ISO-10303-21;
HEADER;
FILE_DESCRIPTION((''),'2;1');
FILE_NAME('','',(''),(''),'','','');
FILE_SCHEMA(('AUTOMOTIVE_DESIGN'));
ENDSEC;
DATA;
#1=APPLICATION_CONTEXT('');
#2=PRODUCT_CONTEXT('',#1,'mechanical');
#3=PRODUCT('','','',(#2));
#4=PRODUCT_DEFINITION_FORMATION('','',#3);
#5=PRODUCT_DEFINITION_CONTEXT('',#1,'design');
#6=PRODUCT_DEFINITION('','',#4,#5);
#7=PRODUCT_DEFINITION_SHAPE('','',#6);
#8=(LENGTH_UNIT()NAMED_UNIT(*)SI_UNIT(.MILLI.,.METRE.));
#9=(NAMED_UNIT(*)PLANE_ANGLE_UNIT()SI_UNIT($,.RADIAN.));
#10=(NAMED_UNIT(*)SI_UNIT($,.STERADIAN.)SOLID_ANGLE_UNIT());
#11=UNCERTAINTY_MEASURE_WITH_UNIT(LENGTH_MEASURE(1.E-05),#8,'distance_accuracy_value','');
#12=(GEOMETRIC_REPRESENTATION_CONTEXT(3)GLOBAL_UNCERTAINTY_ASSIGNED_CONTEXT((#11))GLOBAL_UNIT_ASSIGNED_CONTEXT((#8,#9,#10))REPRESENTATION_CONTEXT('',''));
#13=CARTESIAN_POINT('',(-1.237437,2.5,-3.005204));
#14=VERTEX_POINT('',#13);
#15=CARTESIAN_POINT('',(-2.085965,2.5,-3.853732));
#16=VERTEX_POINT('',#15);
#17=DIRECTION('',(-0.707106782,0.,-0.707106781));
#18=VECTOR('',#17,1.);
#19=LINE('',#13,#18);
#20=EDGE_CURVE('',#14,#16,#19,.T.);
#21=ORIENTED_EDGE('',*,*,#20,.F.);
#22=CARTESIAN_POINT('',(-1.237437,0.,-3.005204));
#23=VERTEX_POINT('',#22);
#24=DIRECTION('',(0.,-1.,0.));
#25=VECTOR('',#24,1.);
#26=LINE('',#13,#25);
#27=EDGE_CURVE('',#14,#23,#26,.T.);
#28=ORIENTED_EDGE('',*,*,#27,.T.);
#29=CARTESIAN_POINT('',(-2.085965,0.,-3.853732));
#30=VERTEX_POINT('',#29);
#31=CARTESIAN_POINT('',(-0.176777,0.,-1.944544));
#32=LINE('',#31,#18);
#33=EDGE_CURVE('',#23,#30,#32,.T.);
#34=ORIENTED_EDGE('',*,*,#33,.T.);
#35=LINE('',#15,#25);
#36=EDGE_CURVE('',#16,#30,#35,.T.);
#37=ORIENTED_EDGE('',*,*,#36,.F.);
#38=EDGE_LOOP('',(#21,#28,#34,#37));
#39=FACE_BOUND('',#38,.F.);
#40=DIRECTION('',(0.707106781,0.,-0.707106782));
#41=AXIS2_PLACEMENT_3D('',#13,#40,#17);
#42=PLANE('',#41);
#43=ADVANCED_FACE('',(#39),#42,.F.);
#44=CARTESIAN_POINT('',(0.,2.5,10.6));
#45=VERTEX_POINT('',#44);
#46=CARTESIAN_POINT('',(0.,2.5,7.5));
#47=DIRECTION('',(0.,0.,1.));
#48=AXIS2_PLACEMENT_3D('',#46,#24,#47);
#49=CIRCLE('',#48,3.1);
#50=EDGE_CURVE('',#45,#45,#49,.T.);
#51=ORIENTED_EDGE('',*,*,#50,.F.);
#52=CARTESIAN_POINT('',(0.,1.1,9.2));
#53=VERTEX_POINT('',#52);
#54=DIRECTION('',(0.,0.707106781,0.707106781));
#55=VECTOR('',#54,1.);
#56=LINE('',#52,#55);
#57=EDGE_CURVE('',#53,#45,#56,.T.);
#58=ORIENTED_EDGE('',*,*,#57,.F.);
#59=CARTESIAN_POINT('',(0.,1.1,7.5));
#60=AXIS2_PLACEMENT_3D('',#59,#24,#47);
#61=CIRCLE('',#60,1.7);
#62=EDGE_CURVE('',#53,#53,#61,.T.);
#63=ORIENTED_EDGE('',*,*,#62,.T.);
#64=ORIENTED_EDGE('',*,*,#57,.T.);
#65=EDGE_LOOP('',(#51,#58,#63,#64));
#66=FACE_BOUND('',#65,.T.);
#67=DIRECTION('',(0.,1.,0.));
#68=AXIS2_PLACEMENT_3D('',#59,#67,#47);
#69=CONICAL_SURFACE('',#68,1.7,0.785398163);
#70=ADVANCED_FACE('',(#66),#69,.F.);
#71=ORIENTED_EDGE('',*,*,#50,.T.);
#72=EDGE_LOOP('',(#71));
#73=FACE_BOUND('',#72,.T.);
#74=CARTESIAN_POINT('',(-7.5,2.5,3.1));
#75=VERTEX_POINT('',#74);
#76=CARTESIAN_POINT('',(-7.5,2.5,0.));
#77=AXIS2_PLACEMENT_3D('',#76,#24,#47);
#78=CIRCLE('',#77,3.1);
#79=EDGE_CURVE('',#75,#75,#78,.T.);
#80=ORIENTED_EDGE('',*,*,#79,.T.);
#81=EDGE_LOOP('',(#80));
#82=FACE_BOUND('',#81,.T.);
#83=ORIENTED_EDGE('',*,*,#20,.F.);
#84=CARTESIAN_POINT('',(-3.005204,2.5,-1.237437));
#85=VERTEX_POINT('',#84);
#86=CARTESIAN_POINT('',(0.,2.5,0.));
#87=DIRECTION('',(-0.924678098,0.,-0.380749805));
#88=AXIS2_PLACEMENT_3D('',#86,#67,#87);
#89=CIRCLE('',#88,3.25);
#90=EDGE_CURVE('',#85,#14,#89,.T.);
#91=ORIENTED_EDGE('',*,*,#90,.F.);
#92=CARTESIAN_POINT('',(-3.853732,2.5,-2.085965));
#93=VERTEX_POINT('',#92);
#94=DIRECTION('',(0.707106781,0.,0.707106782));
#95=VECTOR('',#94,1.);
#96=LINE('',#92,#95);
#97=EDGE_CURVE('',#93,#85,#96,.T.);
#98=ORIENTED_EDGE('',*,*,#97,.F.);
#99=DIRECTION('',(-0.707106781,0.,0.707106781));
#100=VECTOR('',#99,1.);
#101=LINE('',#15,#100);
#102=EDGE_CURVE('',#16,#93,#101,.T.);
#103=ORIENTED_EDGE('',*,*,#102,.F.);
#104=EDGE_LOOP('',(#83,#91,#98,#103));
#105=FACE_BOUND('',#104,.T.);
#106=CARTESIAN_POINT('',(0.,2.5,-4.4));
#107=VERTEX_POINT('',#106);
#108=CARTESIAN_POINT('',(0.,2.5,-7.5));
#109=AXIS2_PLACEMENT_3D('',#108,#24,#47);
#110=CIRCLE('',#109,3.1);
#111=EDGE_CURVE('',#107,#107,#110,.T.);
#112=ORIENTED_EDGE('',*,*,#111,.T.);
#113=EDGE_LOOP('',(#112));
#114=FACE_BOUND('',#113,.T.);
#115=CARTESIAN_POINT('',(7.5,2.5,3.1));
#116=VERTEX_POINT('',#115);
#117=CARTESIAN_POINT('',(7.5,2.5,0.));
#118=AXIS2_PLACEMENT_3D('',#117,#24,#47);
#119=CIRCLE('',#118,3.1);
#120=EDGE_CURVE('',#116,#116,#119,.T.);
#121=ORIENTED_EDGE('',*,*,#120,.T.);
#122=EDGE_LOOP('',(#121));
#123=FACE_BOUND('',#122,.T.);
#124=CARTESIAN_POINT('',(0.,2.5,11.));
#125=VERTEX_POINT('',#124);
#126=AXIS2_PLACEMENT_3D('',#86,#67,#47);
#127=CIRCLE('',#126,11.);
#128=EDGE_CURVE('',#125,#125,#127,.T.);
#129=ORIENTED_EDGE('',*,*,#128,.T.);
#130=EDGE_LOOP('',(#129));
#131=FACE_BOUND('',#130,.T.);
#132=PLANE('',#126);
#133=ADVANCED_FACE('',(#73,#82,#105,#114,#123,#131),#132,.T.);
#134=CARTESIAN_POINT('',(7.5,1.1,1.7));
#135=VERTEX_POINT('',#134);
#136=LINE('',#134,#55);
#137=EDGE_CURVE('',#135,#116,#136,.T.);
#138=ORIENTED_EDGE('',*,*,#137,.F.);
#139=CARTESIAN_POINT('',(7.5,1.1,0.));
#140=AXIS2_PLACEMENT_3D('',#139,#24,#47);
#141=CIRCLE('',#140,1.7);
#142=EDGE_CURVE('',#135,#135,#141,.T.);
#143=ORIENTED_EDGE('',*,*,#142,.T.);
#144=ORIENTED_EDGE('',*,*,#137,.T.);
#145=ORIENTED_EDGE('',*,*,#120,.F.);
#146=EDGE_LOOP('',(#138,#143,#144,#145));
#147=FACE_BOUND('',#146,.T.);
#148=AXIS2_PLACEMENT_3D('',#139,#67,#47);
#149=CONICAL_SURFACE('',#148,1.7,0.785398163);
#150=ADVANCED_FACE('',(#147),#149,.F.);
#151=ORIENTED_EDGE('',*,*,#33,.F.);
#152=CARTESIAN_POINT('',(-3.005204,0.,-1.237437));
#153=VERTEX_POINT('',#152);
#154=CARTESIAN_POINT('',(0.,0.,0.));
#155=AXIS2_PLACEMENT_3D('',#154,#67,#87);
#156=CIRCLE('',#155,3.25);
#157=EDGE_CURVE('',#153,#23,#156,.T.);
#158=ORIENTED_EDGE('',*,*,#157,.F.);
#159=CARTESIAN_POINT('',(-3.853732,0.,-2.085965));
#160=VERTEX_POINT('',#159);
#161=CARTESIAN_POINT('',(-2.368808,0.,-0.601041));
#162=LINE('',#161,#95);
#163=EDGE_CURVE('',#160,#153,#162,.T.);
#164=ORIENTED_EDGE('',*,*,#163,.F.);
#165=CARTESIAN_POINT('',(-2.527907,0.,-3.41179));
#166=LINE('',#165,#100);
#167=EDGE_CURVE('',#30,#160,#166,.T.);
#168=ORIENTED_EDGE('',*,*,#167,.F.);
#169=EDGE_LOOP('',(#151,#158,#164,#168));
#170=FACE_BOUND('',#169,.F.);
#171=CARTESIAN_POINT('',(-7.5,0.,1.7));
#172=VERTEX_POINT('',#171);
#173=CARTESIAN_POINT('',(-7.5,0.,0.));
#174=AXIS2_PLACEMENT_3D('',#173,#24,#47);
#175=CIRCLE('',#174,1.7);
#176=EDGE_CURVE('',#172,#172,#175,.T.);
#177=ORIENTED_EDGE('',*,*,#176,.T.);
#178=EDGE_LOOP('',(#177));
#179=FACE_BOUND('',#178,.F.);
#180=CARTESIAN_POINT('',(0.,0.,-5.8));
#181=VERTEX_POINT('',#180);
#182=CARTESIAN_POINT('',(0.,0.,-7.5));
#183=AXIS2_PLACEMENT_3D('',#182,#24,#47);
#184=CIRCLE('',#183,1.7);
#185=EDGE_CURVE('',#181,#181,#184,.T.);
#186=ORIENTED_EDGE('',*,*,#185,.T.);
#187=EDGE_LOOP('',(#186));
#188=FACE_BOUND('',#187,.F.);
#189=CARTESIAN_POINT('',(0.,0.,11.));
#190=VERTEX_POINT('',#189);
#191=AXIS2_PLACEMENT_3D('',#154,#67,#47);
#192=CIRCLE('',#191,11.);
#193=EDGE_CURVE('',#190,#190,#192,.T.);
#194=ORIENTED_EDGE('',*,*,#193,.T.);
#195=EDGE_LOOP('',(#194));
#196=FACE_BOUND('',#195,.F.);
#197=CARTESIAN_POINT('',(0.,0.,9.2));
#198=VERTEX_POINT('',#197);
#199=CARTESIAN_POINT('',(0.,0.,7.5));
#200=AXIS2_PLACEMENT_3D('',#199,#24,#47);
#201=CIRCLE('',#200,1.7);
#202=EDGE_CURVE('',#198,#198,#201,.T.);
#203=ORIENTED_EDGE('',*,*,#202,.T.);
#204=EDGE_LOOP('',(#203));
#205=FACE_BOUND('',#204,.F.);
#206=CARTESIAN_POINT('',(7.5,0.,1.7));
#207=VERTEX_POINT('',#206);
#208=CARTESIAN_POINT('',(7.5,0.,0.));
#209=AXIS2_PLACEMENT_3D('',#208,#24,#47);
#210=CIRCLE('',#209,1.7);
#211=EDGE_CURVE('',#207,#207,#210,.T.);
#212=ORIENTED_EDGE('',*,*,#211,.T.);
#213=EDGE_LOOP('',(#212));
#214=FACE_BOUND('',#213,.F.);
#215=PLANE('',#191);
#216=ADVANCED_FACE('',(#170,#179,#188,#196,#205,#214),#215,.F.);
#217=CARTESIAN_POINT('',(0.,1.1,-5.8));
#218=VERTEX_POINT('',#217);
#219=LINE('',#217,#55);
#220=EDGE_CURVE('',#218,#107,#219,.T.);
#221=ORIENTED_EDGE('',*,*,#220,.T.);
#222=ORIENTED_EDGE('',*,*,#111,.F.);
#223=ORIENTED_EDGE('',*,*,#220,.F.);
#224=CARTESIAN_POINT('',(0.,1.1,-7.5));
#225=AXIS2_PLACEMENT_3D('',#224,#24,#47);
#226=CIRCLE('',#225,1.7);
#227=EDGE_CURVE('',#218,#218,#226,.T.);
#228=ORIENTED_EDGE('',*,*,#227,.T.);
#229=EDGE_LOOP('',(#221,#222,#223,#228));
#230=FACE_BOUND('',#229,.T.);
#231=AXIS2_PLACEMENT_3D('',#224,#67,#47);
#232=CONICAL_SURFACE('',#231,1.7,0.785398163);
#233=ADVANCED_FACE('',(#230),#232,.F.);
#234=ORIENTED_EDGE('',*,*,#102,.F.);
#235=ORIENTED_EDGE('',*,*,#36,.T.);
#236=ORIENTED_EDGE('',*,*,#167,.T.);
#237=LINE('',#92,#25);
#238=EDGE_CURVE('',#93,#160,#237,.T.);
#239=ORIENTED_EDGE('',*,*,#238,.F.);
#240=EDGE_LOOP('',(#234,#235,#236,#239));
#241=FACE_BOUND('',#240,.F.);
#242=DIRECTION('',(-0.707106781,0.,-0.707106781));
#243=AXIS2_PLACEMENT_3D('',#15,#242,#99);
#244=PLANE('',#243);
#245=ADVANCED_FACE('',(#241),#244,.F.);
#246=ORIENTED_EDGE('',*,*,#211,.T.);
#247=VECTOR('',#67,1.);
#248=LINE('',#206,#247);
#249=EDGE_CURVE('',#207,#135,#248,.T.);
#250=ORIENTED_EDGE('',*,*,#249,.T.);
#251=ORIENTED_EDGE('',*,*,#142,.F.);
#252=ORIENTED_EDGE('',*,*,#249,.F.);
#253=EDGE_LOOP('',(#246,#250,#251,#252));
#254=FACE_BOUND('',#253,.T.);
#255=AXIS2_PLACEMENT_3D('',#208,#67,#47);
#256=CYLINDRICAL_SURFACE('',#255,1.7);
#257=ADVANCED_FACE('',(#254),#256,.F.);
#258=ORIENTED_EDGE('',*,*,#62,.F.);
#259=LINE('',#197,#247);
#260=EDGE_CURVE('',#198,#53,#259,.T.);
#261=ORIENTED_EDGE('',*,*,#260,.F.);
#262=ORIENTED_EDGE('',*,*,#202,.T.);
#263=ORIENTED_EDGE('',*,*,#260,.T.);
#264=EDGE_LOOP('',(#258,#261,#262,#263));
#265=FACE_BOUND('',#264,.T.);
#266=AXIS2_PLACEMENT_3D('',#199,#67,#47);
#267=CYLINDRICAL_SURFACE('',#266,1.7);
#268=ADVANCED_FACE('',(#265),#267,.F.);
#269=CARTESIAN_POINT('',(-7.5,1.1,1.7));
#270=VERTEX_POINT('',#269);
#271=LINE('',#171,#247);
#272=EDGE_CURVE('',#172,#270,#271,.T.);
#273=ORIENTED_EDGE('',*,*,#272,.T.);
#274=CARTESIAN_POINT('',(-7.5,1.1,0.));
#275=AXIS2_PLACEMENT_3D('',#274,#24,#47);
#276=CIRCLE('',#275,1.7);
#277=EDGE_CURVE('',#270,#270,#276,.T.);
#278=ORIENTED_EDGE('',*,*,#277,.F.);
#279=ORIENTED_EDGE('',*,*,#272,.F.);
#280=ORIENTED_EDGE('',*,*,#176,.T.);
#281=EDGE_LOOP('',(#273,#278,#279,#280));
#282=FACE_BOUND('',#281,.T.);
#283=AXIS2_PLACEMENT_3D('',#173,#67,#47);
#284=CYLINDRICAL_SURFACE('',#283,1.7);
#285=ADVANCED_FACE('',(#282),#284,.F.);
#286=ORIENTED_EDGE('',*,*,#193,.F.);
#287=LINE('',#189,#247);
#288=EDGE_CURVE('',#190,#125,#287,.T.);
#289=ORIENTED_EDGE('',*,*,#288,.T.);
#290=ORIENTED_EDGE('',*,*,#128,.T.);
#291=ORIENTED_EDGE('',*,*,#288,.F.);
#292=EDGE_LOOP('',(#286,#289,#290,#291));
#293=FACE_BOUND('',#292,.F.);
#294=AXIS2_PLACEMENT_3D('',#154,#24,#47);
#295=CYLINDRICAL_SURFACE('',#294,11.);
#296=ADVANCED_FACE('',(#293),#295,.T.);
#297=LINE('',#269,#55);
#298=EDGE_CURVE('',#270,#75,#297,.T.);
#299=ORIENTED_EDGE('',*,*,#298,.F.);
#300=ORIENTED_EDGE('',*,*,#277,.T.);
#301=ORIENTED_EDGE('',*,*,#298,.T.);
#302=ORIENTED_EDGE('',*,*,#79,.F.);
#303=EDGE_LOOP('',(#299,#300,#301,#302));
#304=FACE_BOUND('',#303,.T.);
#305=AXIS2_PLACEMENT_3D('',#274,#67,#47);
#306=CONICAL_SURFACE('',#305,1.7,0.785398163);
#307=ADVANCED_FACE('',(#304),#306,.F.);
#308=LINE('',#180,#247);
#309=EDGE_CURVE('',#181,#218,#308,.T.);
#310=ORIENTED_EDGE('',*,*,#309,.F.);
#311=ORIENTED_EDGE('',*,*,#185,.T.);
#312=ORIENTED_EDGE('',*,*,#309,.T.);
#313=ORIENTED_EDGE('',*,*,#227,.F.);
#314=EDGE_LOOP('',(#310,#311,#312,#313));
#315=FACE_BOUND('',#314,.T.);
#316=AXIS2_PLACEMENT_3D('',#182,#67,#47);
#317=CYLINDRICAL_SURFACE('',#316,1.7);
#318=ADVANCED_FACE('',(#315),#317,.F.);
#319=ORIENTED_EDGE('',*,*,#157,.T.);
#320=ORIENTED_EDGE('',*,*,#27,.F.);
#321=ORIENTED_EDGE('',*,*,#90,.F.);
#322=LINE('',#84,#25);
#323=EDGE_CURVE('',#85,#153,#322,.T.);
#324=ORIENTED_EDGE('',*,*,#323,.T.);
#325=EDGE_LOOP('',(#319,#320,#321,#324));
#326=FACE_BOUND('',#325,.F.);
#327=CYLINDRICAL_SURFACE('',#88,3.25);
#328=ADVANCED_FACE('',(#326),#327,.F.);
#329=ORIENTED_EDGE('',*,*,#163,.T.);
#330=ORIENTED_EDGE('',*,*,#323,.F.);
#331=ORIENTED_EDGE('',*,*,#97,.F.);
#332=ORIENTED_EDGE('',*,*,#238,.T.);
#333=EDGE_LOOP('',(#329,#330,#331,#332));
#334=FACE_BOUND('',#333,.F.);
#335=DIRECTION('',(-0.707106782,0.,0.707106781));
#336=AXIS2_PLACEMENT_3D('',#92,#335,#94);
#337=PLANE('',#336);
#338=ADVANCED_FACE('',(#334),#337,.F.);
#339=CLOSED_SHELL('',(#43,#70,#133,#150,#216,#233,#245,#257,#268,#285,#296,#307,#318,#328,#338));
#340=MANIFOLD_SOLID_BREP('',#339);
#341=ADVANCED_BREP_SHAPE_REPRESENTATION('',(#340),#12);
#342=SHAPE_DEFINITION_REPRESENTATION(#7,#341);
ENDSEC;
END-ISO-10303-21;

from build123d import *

# Parameters (mm, degrees)
SKETCH1_R                                    = 11
BOSS_EXTRUDE1_DEPTH                          = 2.5
CSK_FOR_M3_SOCKET_COUNTERSUNK_HEAD_S_2_COUNT = 2
CSK_FOR_M3_SOCKET_COUNTERSUNK_HEAD_S_2_PITCH = 10.606601718
CSK_FOR_M3_SOCKET_COUNTERSUNK_HEAD_S_3_COUNT = 2
CSK_FOR_M3_SOCKET_COUNTERSUNK_HEAD_S_3_PITCH = 15
CSK_FOR_M3_SOCKET_COUNTERSUNK_HEAD_S_4_COUNT = 2
CSK_FOR_M3_SOCKET_COUNTERSUNK_HEAD_S_4_PITCH = 10.606601718
CUT_EXTRUDE1_DEPTH                           = 16.755951257


with BuildPart() as part:
    # Sketch1 → Boss-Extrude1 (new body)
    with BuildSketch(Plane(origin=(0, 0, 0), x_dir=(1, 0, 0), z_dir=(0, 1, 0))):
        with Locations(Location((0, 0, 0), (0, 0, 270))):
            Circle(SKETCH1_R)
    extrude(amount=BOSS_EXTRUDE1_DEPTH)

    # Sketch3 → CSK for M3 socket countersunk head screw1 (revolve, cut)
    with BuildSketch(Plane(origin=(-7.5, 2.5, 0), x_dir=(0, 0, 1), z_dir=(1, 0, 0))):
        Polygon((0, 0), (0, 2.5), (1.7, 2.5), (1.7, 1.4), (3.1, 0), align=None)
    csk_for_m3_socket_countersunk_head_screw = revolve(axis=Axis((-7.5, 8.85, 0), (0, -1, 0)), mode=Mode.SUBTRACT)

    # CSK for M3 socket countersunk head s 2: CSK for M3 socket countersunk head screw1 ×2
    with Locations(*[Vector(0.7071067811865303, 0, -0.7071067811865648) * (i * CSK_FOR_M3_SOCKET_COUNTERSUNK_HEAD_S_2_PITCH) for i in range(1, CSK_FOR_M3_SOCKET_COUNTERSUNK_HEAD_S_2_COUNT)]):
        add(csk_for_m3_socket_countersunk_head_screw, mode=Mode.SUBTRACT)

    # CSK for M3 socket countersunk head s 3: CSK for M3 socket countersunk head screw1 ×2
    with Locations(*[(i * CSK_FOR_M3_SOCKET_COUNTERSUNK_HEAD_S_3_PITCH, 0, 0) for i in range(1, CSK_FOR_M3_SOCKET_COUNTERSUNK_HEAD_S_3_COUNT)]):
        add(csk_for_m3_socket_countersunk_head_screw, mode=Mode.SUBTRACT)

    # CSK for M3 socket countersunk head s 4: CSK for M3 socket countersunk head screw1 ×2
    with Locations(*[Vector(0.7071067811865648, 0, 0.7071067811865303) * (i * CSK_FOR_M3_SOCKET_COUNTERSUNK_HEAD_S_4_PITCH) for i in range(1, CSK_FOR_M3_SOCKET_COUNTERSUNK_HEAD_S_4_COUNT)]):
        add(csk_for_m3_socket_countersunk_head_screw, mode=Mode.SUBTRACT)

    # Sketch4 → Cut-Extrude1 (cut, through all)
    with BuildSketch(Plane(origin=(0, 2.5, 0), x_dir=(1, 0, 0), z_dir=(0, 1, 0))):
        with BuildLine():
            Line((-2.085965005, 3.853731957), (-3.853731957, 2.085965005))
            Line((-3.853731957, 2.085965005), (-3.00520382, 1.237436867))
            ThreePointArc((-3.00520382, 1.237436867), (2.298097039, -2.298097039), (-1.237436867, 3.00520382))
            Line((-1.237436867, 3.00520382), (-2.085965005, 3.853731957))
        make_face()
    extrude(amount=-CUT_EXTRUDE1_DEPTH, mode=Mode.SUBTRACT)


solid = part.part
